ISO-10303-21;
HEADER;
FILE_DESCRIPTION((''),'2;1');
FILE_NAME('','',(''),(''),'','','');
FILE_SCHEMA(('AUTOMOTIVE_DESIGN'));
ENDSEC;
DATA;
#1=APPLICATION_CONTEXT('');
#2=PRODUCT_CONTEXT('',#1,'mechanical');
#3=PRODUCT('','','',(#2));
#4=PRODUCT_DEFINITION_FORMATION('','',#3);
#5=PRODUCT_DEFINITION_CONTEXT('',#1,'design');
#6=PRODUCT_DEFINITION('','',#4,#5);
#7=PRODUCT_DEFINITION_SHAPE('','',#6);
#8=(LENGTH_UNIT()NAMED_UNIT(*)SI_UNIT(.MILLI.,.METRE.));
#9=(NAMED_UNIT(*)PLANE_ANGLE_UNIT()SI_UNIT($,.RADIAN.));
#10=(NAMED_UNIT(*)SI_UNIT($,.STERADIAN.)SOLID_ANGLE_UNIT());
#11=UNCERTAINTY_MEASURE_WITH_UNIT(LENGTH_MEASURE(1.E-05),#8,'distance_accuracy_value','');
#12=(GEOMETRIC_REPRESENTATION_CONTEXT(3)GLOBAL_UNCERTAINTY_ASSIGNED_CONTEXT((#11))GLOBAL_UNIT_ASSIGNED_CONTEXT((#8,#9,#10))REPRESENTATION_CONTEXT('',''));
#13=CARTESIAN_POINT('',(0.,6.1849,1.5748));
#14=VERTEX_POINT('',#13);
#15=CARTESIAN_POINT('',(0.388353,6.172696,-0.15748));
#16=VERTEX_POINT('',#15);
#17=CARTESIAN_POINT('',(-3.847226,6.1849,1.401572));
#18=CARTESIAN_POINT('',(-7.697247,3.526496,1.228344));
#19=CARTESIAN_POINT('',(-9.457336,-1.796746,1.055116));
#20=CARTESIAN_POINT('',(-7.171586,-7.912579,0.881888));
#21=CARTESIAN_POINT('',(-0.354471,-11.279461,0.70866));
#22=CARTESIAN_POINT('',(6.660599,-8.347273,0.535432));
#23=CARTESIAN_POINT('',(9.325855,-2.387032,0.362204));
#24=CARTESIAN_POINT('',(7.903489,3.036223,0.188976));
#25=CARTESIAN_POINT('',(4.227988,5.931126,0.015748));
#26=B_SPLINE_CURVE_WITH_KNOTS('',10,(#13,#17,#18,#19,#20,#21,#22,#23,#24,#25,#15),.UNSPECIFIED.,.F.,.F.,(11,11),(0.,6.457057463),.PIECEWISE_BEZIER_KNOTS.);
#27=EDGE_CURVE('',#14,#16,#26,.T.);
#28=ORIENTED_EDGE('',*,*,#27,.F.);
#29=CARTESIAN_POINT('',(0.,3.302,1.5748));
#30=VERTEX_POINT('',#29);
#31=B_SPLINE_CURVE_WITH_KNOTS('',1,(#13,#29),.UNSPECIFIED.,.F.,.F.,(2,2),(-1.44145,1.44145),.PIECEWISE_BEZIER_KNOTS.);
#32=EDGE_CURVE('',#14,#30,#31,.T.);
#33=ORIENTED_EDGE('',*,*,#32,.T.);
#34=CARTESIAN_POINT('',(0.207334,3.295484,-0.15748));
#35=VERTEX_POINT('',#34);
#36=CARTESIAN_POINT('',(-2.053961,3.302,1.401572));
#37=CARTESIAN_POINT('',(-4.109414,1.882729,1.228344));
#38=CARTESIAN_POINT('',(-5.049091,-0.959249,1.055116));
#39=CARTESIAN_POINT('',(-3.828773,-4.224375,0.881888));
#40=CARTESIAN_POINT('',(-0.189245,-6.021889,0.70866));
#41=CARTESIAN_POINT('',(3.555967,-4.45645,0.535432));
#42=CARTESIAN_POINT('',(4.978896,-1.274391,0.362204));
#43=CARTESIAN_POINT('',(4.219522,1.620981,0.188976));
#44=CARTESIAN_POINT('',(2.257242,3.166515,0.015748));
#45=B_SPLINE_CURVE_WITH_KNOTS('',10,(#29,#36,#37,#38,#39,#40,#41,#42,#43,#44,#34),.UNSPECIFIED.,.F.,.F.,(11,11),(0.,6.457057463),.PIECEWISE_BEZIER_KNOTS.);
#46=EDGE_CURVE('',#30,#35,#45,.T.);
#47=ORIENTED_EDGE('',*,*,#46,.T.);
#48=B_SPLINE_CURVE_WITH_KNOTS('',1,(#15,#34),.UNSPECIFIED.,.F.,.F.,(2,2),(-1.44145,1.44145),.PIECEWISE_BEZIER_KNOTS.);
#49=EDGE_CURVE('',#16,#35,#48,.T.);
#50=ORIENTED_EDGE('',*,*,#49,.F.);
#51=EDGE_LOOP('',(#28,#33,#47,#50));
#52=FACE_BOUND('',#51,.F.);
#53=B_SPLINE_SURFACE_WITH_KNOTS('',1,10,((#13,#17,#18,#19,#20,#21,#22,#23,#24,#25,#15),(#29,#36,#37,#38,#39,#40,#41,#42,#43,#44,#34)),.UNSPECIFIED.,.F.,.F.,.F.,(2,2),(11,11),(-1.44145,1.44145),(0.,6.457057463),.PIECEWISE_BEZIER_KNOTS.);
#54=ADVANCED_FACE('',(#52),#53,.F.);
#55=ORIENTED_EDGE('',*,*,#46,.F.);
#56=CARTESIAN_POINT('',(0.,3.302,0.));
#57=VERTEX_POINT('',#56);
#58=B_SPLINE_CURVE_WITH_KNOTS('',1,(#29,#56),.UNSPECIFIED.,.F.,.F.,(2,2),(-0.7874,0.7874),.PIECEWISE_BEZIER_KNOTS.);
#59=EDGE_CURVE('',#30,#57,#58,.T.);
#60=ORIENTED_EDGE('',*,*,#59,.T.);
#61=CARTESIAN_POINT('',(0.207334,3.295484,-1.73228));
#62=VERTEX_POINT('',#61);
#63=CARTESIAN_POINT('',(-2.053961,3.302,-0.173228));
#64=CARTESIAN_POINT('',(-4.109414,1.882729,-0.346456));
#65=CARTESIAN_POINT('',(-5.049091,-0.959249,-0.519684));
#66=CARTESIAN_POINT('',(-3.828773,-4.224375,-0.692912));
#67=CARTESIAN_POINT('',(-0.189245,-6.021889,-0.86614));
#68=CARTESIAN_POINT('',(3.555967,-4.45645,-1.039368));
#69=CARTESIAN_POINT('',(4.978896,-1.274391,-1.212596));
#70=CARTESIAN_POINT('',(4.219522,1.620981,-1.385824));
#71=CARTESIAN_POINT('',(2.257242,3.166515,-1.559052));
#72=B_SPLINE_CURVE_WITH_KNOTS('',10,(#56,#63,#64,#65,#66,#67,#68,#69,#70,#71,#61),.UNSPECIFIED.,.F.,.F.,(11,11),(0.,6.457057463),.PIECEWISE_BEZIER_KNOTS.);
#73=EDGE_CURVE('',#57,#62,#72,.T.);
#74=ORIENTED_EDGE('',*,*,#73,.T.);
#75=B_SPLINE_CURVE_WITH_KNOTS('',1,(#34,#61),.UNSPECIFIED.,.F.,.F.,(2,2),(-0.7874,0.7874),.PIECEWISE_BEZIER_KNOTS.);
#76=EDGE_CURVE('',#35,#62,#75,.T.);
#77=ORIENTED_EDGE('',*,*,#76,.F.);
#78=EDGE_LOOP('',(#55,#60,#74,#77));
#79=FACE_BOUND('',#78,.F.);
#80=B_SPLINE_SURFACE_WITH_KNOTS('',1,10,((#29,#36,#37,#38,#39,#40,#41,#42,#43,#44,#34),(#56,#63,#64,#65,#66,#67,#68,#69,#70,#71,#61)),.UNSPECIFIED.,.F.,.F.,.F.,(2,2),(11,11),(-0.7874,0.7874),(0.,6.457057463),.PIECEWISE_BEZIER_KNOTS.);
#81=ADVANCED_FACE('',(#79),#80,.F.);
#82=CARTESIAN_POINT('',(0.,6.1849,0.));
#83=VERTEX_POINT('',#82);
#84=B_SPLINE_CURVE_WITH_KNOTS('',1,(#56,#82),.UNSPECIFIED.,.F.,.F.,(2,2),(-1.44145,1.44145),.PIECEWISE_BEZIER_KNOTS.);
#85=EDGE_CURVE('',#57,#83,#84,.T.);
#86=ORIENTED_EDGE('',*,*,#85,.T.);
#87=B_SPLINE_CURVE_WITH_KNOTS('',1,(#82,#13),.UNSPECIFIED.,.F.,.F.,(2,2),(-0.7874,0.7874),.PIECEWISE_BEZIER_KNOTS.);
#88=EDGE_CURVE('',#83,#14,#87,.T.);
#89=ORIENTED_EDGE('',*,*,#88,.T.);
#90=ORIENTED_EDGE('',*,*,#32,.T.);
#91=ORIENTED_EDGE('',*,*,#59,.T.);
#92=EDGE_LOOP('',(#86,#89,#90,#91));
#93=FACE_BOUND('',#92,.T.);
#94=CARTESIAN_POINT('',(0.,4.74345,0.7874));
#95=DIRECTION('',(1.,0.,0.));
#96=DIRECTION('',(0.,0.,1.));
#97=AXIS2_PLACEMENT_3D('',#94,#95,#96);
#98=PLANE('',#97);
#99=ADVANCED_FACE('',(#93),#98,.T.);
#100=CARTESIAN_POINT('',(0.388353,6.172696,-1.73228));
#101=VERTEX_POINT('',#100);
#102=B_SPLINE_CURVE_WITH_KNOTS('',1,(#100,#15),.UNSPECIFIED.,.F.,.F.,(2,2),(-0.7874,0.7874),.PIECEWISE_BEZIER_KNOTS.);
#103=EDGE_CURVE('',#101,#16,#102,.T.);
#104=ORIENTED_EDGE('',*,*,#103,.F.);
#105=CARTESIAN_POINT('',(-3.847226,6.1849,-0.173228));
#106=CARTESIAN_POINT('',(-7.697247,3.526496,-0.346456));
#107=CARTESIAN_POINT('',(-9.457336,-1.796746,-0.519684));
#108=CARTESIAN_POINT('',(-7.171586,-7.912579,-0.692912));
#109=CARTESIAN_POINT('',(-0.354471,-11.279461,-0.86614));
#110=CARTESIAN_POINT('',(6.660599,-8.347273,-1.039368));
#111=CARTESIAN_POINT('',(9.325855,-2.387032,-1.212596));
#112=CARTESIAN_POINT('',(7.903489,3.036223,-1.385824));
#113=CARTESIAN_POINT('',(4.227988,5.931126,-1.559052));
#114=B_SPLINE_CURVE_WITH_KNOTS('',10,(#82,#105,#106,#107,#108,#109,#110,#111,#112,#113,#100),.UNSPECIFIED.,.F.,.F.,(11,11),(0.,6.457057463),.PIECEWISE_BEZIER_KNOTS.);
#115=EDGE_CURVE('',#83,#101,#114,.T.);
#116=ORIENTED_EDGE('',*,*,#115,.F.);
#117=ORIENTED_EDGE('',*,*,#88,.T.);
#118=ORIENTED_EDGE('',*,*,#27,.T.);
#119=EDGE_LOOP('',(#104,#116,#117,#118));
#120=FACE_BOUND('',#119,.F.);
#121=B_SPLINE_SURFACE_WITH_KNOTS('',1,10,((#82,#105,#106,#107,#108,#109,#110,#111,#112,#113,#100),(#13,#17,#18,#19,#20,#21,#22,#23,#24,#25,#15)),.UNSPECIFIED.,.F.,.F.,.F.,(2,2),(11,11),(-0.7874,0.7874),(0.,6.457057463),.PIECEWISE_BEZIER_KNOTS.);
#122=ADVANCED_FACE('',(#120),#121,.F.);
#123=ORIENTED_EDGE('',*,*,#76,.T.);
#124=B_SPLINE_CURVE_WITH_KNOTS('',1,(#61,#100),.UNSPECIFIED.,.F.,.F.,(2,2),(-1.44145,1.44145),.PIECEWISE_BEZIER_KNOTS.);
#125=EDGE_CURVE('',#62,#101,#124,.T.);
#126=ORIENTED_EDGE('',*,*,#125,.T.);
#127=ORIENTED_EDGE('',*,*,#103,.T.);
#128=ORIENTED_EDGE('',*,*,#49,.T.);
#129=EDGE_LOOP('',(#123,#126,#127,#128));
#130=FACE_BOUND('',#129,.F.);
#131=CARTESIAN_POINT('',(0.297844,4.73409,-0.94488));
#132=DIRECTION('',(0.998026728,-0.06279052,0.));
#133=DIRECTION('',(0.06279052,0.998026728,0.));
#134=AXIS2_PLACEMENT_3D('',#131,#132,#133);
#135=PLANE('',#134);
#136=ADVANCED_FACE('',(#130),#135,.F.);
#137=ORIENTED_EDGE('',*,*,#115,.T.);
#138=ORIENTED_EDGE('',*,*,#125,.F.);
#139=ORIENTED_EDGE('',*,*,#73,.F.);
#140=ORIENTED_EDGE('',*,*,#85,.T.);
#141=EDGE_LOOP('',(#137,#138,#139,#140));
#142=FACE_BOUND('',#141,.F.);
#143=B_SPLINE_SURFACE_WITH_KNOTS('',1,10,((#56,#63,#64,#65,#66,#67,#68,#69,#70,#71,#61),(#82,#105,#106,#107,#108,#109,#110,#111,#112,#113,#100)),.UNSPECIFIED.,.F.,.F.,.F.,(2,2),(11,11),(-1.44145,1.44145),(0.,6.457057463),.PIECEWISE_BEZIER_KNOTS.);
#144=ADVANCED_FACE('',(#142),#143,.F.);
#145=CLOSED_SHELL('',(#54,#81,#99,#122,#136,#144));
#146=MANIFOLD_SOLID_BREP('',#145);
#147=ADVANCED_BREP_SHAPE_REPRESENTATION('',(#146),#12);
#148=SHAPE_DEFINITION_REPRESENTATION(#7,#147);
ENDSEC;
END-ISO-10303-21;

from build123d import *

# Parameters (mm, degrees)
SWEEP1_PITCH       = 1.749777778
SWEEP1_HEIGHT      = 1.73228
SWEEP1_RADIUS      = 6.1849
SWEEP1_START_ANGLE = 90
SKETCH2_W          = 1.5748
SKETCH2_H          = 2.8829


with BuildPart() as part:
    # Sweep1: sweep along a helix
    with BuildLine() as sweep1_path:
        add(Helix(SWEEP1_PITCH, SWEEP1_HEIGHT, SWEEP1_RADIUS, center=(0, 0, 0), direction=(0, 0, -1), lefthand=True, mode=Mode.PRIVATE).rotate(Axis((0, 0, 0), (0, 0, -1)), SWEEP1_START_ANGLE))
    # Sketch2 → Sweep1 (sweep)
    with BuildSketch(Plane(origin=(0, 0, 0), x_dir=(0, 0, -1), z_dir=(1, 0, 0))):
        with Locations((-0.7874, 4.74345)):
            Rectangle(SKETCH2_W, SKETCH2_H)
    sweep(path=sweep1_path.line, is_frenet=True)


solid = part.part
